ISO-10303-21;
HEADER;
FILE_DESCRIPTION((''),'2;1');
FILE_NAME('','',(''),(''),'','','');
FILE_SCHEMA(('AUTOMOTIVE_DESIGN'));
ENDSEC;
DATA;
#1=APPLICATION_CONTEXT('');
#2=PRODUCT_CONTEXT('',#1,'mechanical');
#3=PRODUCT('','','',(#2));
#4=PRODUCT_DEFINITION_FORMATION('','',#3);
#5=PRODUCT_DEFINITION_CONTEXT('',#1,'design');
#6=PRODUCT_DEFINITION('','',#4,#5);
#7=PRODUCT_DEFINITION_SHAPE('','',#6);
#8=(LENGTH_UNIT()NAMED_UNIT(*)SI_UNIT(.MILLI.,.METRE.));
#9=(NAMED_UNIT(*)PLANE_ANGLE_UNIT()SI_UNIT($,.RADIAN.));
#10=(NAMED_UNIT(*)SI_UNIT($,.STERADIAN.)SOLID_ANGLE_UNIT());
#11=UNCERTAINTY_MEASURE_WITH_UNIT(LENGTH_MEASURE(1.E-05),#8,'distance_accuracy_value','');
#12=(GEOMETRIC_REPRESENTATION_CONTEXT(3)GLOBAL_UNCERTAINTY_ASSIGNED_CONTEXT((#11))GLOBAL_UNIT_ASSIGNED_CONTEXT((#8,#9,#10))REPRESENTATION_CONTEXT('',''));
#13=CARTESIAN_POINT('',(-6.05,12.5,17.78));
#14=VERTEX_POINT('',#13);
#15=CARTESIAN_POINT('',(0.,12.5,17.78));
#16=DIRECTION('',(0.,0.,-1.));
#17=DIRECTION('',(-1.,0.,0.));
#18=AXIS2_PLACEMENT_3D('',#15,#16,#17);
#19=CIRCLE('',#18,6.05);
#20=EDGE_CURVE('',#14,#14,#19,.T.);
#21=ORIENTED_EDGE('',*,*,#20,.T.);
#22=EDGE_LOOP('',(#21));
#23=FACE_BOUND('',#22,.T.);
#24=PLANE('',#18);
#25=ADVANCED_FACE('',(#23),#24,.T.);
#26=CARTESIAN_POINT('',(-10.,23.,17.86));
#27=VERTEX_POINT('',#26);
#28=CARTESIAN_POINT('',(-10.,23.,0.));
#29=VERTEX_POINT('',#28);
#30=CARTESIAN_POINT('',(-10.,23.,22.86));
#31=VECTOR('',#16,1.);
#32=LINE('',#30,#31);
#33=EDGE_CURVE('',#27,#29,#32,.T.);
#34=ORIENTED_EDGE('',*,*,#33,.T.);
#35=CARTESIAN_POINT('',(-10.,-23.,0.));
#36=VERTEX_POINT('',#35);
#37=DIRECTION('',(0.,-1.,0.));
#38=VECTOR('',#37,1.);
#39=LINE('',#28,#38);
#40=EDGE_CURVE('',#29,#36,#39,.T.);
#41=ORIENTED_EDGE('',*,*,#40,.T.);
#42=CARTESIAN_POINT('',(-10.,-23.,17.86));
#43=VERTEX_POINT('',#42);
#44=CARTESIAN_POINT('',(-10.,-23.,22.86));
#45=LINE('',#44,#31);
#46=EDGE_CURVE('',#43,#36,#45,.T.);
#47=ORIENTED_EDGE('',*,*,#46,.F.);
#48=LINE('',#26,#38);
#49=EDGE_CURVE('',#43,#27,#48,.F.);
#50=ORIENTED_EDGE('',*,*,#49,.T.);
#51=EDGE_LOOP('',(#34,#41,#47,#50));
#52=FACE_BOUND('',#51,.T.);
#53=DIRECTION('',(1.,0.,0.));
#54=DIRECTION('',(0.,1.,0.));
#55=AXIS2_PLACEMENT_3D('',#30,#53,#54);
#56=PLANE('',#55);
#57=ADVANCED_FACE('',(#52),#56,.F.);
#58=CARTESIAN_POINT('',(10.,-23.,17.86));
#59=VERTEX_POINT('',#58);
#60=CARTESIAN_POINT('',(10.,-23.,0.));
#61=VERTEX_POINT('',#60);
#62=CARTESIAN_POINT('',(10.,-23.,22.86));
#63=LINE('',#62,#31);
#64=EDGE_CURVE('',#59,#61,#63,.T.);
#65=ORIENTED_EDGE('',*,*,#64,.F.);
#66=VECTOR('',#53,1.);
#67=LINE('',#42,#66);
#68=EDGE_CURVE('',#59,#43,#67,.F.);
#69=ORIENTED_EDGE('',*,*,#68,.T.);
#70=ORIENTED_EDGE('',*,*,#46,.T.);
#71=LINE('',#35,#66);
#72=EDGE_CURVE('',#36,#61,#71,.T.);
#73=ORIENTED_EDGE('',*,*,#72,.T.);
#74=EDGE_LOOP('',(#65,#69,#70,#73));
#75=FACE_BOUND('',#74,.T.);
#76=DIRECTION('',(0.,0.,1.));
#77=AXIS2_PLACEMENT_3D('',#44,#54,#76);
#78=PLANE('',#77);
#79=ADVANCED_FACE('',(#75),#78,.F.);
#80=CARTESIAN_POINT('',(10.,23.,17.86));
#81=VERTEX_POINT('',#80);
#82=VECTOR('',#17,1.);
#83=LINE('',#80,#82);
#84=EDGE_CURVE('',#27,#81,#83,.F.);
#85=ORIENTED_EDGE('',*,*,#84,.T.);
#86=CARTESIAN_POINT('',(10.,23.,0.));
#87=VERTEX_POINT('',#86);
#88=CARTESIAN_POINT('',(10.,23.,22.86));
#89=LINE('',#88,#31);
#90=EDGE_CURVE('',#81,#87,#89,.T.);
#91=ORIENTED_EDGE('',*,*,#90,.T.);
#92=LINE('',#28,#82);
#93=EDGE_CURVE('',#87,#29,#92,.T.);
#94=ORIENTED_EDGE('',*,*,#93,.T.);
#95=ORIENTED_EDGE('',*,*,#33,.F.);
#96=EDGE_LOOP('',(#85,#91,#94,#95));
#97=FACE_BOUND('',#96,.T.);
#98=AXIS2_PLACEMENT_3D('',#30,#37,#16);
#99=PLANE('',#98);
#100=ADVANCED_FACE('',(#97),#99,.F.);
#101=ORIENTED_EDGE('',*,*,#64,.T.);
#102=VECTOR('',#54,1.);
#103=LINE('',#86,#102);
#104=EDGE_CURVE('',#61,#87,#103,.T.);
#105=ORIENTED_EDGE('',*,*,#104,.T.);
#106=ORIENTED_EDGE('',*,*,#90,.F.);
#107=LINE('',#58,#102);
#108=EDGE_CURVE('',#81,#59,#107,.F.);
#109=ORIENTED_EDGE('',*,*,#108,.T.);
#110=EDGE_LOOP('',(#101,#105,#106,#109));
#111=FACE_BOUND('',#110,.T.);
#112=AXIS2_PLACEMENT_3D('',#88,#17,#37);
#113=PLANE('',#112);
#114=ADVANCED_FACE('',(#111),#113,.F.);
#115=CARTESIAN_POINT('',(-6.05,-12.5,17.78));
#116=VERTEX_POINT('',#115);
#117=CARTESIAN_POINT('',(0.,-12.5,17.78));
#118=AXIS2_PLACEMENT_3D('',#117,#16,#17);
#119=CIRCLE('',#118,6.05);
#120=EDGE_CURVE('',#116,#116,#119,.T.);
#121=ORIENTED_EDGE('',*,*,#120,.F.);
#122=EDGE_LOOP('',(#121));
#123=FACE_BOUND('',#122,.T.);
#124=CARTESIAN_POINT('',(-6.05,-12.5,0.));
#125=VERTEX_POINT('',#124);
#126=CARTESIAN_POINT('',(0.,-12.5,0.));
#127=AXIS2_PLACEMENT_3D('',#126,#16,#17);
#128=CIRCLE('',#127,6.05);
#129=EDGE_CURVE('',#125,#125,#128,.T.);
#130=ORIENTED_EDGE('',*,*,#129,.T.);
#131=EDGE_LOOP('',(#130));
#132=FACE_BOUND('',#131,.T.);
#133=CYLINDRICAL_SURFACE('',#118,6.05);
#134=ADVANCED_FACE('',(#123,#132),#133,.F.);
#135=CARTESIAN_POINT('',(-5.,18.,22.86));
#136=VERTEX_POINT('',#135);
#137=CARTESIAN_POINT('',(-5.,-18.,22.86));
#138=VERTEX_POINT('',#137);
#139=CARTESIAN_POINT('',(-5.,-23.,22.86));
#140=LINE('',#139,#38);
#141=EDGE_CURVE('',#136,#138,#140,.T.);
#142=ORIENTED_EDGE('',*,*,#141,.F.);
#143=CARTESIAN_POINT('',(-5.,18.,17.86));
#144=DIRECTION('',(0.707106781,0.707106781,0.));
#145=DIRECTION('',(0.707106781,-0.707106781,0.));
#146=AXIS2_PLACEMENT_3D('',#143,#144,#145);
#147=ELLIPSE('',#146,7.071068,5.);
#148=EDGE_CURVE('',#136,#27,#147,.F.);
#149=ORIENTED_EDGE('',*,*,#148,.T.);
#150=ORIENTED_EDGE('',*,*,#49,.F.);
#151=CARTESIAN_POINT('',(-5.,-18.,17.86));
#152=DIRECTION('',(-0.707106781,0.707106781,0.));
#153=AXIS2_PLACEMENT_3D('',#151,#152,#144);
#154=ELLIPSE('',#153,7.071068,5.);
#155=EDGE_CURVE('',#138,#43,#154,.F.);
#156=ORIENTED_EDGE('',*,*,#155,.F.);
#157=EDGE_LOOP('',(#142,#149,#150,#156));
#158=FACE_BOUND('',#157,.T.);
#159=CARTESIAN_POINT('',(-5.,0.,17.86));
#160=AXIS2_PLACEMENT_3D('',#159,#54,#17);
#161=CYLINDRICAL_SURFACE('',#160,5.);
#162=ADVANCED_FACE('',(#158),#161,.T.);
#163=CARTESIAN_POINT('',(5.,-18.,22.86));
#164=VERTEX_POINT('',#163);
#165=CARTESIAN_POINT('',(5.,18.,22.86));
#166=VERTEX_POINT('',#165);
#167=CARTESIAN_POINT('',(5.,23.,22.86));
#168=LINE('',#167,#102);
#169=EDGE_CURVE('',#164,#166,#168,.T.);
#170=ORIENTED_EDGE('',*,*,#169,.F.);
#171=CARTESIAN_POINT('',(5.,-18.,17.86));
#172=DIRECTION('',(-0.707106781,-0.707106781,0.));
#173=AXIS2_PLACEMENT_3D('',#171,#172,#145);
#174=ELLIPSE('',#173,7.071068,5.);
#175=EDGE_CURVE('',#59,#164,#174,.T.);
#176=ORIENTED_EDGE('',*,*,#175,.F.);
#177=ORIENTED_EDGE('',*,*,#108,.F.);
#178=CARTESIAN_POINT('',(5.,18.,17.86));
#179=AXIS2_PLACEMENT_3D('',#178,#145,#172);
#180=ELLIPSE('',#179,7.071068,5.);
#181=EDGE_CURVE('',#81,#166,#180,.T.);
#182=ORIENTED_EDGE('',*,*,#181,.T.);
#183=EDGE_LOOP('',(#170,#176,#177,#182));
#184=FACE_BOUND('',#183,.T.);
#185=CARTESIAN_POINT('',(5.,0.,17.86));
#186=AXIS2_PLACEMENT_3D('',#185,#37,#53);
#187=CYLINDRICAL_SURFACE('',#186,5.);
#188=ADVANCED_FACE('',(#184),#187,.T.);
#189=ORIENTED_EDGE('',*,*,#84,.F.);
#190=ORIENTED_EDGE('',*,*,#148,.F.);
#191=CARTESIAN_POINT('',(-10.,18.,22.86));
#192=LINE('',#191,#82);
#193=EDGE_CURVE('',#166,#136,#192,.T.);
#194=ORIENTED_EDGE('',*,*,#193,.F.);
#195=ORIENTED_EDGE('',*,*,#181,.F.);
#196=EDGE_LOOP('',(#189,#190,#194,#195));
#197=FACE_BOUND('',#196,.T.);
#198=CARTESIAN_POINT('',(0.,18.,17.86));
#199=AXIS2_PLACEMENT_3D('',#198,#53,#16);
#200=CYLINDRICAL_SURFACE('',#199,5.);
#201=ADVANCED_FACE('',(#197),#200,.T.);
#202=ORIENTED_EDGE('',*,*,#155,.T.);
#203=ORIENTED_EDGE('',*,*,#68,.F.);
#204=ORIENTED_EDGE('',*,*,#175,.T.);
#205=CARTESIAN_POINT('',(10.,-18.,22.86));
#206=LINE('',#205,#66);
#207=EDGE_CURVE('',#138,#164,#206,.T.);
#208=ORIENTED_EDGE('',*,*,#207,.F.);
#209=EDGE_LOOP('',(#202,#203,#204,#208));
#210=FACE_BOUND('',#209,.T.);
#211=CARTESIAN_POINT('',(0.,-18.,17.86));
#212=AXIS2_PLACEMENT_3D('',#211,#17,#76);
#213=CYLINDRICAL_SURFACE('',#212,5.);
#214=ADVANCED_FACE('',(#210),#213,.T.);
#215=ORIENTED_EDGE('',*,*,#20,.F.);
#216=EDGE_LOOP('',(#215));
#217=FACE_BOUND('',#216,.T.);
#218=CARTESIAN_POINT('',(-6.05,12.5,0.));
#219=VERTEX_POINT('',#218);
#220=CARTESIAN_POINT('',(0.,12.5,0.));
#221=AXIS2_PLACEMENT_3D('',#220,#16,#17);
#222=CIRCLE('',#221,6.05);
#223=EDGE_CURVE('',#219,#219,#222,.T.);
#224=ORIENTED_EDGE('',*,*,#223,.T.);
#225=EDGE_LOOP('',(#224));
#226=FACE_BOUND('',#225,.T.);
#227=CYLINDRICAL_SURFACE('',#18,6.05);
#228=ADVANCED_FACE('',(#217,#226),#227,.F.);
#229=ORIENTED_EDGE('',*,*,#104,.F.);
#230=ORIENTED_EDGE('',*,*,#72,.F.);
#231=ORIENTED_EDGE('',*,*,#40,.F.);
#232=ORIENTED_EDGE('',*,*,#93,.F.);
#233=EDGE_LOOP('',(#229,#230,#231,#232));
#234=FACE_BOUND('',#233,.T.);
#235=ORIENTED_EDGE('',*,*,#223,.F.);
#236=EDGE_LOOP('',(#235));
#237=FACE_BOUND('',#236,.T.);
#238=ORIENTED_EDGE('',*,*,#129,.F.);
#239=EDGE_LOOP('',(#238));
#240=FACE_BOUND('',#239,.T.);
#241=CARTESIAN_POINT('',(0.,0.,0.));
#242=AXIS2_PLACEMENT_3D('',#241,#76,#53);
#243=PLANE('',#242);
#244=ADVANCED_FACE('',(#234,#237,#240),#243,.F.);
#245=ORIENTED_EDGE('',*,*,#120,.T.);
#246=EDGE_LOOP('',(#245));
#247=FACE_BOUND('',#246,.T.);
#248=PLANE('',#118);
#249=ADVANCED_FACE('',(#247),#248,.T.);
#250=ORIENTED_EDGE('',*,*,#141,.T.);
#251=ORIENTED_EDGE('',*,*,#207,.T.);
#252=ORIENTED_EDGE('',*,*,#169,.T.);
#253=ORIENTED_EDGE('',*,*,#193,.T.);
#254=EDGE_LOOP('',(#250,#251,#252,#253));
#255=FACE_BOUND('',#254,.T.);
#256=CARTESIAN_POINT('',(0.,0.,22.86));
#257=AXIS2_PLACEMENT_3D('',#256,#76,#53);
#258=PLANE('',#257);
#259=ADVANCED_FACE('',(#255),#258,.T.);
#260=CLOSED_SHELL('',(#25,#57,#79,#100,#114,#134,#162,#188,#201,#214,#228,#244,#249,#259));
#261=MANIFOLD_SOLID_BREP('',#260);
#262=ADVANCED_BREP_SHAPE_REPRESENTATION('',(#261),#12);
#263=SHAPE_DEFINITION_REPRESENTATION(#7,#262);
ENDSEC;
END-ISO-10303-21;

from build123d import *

# Parameters (mm, degrees)
SKETCH1_W           = 20
SKETCH1_H           = 46
BOSS_EXTRUDE1_DEPTH = 22.86
SKETCH2_R           = 6.05
CUT_EXTRUDE1_DEPTH  = 17.78
FILLET1_R           = 5


with BuildPart() as part:
    # Sketch1 → Boss-Extrude1 (new body)
    with BuildSketch(Plane.XY):
        Rectangle(SKETCH1_W, SKETCH1_H)
    extrude(amount=BOSS_EXTRUDE1_DEPTH)

    # Sketch2 → Cut-Extrude1 (cut)
    with BuildSketch(Plane(origin=(0, 0, 0), x_dir=(-1, 0, 0), z_dir=(0, 0, -1))):
        with Locations((0, 12.5)):
            Circle(SKETCH2_R)
        with Locations((0, -12.5)):
            Circle(SKETCH2_R)
    extrude(amount=-CUT_EXTRUDE1_DEPTH, mode=Mode.SUBTRACT)

    # Fillet1
    fillet1_edges = [part.edges().sort_by_distance(p)[0] for p in [
        (-10, 0, 22.86),
        (0, -23, 22.86),
        (10, 0, 22.86),
        (0, 23, 22.86),
    ]]
    fillet(fillet1_edges, radius=FILLET1_R)


solid = part.part
